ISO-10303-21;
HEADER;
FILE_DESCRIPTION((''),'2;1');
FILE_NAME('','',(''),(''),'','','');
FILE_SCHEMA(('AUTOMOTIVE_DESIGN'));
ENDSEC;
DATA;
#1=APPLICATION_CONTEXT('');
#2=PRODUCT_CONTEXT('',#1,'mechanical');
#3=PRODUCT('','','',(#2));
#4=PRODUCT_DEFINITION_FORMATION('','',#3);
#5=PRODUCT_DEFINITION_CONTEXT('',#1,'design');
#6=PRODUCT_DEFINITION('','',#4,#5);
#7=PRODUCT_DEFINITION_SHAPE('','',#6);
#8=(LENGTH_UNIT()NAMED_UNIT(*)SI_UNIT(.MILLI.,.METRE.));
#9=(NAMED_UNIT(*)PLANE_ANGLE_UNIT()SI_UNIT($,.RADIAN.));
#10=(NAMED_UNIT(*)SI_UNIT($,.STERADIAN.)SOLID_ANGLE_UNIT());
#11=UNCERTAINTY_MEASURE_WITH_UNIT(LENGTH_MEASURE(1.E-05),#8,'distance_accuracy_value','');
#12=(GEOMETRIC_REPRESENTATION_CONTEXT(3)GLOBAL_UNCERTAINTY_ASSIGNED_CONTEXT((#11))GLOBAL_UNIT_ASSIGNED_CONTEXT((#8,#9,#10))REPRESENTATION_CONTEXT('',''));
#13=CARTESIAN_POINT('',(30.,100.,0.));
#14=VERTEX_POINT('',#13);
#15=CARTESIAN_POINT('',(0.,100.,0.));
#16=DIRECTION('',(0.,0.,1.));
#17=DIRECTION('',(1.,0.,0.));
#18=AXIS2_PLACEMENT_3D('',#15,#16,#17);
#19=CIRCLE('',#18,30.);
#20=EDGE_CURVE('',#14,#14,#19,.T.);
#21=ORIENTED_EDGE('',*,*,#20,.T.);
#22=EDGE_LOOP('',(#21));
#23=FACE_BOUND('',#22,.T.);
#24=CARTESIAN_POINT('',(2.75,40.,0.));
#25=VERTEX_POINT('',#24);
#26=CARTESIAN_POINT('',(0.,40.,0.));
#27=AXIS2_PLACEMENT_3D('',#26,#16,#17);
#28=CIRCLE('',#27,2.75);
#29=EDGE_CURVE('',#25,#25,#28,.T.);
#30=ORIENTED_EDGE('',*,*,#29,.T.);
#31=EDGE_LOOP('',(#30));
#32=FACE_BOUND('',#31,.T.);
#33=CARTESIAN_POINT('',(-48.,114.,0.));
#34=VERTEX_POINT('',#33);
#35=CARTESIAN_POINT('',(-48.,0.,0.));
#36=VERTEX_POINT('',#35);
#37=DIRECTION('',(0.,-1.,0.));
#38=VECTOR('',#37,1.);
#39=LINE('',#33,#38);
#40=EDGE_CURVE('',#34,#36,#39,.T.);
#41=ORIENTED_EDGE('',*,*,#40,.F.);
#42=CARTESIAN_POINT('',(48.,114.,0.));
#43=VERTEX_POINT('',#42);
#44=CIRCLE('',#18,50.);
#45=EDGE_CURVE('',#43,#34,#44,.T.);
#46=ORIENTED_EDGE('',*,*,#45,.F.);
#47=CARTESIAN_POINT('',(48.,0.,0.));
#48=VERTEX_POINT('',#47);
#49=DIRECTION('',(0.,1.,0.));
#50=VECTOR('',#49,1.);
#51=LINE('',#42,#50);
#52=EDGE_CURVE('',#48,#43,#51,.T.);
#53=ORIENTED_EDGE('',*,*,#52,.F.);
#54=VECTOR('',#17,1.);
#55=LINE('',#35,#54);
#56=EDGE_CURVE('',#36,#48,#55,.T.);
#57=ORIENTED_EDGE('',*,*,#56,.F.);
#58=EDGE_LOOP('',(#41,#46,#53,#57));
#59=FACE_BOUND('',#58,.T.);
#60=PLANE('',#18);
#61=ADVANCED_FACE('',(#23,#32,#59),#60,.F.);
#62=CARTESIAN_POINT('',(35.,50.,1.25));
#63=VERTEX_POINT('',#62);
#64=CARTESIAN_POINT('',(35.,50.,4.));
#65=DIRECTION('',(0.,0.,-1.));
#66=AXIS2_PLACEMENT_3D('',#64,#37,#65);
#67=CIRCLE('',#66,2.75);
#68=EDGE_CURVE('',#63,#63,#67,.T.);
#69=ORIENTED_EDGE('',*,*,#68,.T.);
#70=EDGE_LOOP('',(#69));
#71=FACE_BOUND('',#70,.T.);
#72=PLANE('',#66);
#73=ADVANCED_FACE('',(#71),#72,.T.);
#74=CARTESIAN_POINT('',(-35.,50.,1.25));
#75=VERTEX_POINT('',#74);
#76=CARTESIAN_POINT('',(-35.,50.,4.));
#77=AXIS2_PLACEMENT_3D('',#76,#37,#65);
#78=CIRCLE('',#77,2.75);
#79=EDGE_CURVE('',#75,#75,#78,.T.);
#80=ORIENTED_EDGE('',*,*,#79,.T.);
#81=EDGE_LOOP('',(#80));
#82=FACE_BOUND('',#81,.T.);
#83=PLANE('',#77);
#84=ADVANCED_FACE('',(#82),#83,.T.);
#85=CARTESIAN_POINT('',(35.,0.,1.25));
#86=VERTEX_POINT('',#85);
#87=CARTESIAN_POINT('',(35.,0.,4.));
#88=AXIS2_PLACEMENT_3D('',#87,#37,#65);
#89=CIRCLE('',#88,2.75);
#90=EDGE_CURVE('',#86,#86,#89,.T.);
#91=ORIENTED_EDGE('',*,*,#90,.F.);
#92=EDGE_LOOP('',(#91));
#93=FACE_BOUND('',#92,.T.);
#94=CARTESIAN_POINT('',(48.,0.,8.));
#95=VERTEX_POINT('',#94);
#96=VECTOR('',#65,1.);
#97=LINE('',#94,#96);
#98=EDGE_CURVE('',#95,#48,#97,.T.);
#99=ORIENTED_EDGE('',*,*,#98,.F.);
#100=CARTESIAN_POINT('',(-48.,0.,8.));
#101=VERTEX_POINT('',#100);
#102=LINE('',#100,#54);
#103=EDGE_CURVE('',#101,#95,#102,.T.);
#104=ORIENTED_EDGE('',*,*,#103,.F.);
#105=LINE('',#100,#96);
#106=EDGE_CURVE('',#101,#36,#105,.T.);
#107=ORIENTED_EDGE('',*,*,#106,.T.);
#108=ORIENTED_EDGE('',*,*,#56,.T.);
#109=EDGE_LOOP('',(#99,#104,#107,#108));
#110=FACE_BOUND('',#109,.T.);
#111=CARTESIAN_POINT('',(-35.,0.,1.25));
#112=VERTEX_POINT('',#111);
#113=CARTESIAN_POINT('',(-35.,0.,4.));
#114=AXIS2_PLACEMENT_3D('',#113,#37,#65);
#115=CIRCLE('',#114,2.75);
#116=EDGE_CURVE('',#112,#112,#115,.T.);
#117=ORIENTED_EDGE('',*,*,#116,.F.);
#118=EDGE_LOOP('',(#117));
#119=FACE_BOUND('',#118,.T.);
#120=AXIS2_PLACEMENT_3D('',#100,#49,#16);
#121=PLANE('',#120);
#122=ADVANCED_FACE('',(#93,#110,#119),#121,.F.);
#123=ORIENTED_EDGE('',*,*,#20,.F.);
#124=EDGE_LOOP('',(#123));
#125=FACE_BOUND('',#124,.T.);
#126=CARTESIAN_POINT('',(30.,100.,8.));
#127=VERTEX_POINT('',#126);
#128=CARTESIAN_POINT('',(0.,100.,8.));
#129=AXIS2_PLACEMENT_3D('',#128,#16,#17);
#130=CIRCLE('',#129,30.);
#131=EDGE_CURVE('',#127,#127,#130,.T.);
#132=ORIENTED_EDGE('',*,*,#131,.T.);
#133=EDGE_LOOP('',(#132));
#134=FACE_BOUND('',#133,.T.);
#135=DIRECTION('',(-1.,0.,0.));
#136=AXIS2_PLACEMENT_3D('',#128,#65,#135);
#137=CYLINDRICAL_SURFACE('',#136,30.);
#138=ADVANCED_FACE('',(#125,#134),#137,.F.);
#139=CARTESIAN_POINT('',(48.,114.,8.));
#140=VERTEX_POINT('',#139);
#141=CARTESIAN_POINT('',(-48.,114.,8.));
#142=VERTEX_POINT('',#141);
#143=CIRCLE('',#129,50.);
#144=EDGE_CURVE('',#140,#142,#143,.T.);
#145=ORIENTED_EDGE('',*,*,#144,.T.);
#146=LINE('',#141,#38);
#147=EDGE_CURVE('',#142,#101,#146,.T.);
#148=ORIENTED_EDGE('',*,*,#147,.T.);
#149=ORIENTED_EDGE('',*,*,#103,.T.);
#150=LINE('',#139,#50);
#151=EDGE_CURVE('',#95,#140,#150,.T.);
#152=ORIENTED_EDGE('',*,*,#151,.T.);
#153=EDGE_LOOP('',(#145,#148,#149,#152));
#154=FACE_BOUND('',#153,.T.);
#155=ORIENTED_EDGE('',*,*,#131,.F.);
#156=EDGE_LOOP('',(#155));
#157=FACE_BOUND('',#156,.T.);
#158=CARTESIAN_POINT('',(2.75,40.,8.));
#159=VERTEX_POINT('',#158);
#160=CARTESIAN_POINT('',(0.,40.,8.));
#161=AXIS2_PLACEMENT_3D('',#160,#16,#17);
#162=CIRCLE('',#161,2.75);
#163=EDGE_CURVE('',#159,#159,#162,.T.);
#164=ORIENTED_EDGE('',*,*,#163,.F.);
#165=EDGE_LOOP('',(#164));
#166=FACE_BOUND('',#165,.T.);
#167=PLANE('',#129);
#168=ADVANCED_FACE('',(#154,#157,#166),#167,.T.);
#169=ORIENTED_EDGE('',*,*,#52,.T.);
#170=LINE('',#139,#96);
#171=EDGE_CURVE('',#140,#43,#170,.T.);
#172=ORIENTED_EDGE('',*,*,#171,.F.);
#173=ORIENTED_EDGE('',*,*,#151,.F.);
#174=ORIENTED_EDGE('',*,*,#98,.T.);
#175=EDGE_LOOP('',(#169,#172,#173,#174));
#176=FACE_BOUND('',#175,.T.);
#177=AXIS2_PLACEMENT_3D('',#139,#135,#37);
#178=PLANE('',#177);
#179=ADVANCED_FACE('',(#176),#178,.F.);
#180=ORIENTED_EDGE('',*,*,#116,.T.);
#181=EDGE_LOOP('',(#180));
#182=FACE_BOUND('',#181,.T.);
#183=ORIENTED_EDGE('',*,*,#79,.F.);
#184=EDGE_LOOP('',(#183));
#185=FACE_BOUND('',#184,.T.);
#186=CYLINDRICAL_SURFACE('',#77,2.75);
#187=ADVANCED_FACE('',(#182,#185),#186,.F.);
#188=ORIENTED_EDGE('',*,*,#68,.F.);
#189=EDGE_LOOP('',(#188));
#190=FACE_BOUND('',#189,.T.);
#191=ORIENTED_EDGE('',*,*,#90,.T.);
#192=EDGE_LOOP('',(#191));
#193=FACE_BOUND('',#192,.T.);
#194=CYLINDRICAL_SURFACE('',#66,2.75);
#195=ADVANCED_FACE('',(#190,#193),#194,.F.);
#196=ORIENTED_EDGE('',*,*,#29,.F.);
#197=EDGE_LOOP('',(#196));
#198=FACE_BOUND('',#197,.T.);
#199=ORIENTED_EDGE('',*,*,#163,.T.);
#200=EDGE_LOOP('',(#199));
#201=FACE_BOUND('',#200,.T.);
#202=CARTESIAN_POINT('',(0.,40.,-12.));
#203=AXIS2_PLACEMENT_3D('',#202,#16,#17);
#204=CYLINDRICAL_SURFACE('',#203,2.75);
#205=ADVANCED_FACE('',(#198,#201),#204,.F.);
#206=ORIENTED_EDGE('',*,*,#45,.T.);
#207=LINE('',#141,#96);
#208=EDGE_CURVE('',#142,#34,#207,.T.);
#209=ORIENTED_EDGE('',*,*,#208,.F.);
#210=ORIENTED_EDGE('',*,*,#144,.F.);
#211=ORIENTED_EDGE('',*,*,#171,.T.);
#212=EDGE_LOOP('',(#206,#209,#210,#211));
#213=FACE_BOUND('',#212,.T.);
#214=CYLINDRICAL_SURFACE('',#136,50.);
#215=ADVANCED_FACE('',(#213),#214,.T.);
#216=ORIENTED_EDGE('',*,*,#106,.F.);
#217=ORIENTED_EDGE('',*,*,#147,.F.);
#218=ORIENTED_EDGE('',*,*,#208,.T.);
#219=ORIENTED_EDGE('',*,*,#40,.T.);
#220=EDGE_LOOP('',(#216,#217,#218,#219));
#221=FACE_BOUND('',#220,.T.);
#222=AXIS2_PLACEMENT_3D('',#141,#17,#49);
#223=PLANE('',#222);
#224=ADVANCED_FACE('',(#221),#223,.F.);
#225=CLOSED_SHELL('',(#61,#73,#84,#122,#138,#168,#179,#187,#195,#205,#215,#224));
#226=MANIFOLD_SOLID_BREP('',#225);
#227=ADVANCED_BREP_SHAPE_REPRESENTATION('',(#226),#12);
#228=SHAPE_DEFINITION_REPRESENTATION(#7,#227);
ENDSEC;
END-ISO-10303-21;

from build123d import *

# Parameters (mm, degrees)
SKETCH_1_R          = 30
EXTRUDE_1_DEPTH     = 8
SKETCH_2_R          = 2.75
CUT_EXTRUDE_1_DEPTH = 50
SKETCH_3_R          = 2.75
CUT_EXTRUDE_2_DEPTH = 20


with BuildPart() as part:
    # 草图1 → 凸台-拉伸1 (new body)
    with BuildSketch(Plane.XY):
        with BuildLine():
            Line((-48, 114), (-48, 0))
            Line((-48, 0), (48, 0))
            Line((48, 0), (48, 114))
            ThreePointArc((48, 114), (0, 150), (-48, 114))
        make_face()
        with Locations((0, 100)):
            Circle(SKETCH_1_R, mode=Mode.SUBTRACT)
    extrude(amount=EXTRUDE_1_DEPTH)

    # 草图2 → 切除-拉伸1 (cut)
    with BuildSketch(Plane.XZ):
        with Locations(Location((35, 4, 0), (0, 0, 270))):
            Circle(SKETCH_2_R)
        with Locations(Location((-35, 4, 0), (0, 0, 270))):
            Circle(SKETCH_2_R)
    extrude(amount=-CUT_EXTRUDE_1_DEPTH, mode=Mode.SUBTRACT)

    # 草图3 → 切除-拉伸2 (cut)
    with BuildSketch(Plane.XY.offset(8)):
        with Locations((0, 40)):
            Circle(SKETCH_3_R)
    extrude(amount=-CUT_EXTRUDE_2_DEPTH, mode=Mode.SUBTRACT)


solid = part.part
